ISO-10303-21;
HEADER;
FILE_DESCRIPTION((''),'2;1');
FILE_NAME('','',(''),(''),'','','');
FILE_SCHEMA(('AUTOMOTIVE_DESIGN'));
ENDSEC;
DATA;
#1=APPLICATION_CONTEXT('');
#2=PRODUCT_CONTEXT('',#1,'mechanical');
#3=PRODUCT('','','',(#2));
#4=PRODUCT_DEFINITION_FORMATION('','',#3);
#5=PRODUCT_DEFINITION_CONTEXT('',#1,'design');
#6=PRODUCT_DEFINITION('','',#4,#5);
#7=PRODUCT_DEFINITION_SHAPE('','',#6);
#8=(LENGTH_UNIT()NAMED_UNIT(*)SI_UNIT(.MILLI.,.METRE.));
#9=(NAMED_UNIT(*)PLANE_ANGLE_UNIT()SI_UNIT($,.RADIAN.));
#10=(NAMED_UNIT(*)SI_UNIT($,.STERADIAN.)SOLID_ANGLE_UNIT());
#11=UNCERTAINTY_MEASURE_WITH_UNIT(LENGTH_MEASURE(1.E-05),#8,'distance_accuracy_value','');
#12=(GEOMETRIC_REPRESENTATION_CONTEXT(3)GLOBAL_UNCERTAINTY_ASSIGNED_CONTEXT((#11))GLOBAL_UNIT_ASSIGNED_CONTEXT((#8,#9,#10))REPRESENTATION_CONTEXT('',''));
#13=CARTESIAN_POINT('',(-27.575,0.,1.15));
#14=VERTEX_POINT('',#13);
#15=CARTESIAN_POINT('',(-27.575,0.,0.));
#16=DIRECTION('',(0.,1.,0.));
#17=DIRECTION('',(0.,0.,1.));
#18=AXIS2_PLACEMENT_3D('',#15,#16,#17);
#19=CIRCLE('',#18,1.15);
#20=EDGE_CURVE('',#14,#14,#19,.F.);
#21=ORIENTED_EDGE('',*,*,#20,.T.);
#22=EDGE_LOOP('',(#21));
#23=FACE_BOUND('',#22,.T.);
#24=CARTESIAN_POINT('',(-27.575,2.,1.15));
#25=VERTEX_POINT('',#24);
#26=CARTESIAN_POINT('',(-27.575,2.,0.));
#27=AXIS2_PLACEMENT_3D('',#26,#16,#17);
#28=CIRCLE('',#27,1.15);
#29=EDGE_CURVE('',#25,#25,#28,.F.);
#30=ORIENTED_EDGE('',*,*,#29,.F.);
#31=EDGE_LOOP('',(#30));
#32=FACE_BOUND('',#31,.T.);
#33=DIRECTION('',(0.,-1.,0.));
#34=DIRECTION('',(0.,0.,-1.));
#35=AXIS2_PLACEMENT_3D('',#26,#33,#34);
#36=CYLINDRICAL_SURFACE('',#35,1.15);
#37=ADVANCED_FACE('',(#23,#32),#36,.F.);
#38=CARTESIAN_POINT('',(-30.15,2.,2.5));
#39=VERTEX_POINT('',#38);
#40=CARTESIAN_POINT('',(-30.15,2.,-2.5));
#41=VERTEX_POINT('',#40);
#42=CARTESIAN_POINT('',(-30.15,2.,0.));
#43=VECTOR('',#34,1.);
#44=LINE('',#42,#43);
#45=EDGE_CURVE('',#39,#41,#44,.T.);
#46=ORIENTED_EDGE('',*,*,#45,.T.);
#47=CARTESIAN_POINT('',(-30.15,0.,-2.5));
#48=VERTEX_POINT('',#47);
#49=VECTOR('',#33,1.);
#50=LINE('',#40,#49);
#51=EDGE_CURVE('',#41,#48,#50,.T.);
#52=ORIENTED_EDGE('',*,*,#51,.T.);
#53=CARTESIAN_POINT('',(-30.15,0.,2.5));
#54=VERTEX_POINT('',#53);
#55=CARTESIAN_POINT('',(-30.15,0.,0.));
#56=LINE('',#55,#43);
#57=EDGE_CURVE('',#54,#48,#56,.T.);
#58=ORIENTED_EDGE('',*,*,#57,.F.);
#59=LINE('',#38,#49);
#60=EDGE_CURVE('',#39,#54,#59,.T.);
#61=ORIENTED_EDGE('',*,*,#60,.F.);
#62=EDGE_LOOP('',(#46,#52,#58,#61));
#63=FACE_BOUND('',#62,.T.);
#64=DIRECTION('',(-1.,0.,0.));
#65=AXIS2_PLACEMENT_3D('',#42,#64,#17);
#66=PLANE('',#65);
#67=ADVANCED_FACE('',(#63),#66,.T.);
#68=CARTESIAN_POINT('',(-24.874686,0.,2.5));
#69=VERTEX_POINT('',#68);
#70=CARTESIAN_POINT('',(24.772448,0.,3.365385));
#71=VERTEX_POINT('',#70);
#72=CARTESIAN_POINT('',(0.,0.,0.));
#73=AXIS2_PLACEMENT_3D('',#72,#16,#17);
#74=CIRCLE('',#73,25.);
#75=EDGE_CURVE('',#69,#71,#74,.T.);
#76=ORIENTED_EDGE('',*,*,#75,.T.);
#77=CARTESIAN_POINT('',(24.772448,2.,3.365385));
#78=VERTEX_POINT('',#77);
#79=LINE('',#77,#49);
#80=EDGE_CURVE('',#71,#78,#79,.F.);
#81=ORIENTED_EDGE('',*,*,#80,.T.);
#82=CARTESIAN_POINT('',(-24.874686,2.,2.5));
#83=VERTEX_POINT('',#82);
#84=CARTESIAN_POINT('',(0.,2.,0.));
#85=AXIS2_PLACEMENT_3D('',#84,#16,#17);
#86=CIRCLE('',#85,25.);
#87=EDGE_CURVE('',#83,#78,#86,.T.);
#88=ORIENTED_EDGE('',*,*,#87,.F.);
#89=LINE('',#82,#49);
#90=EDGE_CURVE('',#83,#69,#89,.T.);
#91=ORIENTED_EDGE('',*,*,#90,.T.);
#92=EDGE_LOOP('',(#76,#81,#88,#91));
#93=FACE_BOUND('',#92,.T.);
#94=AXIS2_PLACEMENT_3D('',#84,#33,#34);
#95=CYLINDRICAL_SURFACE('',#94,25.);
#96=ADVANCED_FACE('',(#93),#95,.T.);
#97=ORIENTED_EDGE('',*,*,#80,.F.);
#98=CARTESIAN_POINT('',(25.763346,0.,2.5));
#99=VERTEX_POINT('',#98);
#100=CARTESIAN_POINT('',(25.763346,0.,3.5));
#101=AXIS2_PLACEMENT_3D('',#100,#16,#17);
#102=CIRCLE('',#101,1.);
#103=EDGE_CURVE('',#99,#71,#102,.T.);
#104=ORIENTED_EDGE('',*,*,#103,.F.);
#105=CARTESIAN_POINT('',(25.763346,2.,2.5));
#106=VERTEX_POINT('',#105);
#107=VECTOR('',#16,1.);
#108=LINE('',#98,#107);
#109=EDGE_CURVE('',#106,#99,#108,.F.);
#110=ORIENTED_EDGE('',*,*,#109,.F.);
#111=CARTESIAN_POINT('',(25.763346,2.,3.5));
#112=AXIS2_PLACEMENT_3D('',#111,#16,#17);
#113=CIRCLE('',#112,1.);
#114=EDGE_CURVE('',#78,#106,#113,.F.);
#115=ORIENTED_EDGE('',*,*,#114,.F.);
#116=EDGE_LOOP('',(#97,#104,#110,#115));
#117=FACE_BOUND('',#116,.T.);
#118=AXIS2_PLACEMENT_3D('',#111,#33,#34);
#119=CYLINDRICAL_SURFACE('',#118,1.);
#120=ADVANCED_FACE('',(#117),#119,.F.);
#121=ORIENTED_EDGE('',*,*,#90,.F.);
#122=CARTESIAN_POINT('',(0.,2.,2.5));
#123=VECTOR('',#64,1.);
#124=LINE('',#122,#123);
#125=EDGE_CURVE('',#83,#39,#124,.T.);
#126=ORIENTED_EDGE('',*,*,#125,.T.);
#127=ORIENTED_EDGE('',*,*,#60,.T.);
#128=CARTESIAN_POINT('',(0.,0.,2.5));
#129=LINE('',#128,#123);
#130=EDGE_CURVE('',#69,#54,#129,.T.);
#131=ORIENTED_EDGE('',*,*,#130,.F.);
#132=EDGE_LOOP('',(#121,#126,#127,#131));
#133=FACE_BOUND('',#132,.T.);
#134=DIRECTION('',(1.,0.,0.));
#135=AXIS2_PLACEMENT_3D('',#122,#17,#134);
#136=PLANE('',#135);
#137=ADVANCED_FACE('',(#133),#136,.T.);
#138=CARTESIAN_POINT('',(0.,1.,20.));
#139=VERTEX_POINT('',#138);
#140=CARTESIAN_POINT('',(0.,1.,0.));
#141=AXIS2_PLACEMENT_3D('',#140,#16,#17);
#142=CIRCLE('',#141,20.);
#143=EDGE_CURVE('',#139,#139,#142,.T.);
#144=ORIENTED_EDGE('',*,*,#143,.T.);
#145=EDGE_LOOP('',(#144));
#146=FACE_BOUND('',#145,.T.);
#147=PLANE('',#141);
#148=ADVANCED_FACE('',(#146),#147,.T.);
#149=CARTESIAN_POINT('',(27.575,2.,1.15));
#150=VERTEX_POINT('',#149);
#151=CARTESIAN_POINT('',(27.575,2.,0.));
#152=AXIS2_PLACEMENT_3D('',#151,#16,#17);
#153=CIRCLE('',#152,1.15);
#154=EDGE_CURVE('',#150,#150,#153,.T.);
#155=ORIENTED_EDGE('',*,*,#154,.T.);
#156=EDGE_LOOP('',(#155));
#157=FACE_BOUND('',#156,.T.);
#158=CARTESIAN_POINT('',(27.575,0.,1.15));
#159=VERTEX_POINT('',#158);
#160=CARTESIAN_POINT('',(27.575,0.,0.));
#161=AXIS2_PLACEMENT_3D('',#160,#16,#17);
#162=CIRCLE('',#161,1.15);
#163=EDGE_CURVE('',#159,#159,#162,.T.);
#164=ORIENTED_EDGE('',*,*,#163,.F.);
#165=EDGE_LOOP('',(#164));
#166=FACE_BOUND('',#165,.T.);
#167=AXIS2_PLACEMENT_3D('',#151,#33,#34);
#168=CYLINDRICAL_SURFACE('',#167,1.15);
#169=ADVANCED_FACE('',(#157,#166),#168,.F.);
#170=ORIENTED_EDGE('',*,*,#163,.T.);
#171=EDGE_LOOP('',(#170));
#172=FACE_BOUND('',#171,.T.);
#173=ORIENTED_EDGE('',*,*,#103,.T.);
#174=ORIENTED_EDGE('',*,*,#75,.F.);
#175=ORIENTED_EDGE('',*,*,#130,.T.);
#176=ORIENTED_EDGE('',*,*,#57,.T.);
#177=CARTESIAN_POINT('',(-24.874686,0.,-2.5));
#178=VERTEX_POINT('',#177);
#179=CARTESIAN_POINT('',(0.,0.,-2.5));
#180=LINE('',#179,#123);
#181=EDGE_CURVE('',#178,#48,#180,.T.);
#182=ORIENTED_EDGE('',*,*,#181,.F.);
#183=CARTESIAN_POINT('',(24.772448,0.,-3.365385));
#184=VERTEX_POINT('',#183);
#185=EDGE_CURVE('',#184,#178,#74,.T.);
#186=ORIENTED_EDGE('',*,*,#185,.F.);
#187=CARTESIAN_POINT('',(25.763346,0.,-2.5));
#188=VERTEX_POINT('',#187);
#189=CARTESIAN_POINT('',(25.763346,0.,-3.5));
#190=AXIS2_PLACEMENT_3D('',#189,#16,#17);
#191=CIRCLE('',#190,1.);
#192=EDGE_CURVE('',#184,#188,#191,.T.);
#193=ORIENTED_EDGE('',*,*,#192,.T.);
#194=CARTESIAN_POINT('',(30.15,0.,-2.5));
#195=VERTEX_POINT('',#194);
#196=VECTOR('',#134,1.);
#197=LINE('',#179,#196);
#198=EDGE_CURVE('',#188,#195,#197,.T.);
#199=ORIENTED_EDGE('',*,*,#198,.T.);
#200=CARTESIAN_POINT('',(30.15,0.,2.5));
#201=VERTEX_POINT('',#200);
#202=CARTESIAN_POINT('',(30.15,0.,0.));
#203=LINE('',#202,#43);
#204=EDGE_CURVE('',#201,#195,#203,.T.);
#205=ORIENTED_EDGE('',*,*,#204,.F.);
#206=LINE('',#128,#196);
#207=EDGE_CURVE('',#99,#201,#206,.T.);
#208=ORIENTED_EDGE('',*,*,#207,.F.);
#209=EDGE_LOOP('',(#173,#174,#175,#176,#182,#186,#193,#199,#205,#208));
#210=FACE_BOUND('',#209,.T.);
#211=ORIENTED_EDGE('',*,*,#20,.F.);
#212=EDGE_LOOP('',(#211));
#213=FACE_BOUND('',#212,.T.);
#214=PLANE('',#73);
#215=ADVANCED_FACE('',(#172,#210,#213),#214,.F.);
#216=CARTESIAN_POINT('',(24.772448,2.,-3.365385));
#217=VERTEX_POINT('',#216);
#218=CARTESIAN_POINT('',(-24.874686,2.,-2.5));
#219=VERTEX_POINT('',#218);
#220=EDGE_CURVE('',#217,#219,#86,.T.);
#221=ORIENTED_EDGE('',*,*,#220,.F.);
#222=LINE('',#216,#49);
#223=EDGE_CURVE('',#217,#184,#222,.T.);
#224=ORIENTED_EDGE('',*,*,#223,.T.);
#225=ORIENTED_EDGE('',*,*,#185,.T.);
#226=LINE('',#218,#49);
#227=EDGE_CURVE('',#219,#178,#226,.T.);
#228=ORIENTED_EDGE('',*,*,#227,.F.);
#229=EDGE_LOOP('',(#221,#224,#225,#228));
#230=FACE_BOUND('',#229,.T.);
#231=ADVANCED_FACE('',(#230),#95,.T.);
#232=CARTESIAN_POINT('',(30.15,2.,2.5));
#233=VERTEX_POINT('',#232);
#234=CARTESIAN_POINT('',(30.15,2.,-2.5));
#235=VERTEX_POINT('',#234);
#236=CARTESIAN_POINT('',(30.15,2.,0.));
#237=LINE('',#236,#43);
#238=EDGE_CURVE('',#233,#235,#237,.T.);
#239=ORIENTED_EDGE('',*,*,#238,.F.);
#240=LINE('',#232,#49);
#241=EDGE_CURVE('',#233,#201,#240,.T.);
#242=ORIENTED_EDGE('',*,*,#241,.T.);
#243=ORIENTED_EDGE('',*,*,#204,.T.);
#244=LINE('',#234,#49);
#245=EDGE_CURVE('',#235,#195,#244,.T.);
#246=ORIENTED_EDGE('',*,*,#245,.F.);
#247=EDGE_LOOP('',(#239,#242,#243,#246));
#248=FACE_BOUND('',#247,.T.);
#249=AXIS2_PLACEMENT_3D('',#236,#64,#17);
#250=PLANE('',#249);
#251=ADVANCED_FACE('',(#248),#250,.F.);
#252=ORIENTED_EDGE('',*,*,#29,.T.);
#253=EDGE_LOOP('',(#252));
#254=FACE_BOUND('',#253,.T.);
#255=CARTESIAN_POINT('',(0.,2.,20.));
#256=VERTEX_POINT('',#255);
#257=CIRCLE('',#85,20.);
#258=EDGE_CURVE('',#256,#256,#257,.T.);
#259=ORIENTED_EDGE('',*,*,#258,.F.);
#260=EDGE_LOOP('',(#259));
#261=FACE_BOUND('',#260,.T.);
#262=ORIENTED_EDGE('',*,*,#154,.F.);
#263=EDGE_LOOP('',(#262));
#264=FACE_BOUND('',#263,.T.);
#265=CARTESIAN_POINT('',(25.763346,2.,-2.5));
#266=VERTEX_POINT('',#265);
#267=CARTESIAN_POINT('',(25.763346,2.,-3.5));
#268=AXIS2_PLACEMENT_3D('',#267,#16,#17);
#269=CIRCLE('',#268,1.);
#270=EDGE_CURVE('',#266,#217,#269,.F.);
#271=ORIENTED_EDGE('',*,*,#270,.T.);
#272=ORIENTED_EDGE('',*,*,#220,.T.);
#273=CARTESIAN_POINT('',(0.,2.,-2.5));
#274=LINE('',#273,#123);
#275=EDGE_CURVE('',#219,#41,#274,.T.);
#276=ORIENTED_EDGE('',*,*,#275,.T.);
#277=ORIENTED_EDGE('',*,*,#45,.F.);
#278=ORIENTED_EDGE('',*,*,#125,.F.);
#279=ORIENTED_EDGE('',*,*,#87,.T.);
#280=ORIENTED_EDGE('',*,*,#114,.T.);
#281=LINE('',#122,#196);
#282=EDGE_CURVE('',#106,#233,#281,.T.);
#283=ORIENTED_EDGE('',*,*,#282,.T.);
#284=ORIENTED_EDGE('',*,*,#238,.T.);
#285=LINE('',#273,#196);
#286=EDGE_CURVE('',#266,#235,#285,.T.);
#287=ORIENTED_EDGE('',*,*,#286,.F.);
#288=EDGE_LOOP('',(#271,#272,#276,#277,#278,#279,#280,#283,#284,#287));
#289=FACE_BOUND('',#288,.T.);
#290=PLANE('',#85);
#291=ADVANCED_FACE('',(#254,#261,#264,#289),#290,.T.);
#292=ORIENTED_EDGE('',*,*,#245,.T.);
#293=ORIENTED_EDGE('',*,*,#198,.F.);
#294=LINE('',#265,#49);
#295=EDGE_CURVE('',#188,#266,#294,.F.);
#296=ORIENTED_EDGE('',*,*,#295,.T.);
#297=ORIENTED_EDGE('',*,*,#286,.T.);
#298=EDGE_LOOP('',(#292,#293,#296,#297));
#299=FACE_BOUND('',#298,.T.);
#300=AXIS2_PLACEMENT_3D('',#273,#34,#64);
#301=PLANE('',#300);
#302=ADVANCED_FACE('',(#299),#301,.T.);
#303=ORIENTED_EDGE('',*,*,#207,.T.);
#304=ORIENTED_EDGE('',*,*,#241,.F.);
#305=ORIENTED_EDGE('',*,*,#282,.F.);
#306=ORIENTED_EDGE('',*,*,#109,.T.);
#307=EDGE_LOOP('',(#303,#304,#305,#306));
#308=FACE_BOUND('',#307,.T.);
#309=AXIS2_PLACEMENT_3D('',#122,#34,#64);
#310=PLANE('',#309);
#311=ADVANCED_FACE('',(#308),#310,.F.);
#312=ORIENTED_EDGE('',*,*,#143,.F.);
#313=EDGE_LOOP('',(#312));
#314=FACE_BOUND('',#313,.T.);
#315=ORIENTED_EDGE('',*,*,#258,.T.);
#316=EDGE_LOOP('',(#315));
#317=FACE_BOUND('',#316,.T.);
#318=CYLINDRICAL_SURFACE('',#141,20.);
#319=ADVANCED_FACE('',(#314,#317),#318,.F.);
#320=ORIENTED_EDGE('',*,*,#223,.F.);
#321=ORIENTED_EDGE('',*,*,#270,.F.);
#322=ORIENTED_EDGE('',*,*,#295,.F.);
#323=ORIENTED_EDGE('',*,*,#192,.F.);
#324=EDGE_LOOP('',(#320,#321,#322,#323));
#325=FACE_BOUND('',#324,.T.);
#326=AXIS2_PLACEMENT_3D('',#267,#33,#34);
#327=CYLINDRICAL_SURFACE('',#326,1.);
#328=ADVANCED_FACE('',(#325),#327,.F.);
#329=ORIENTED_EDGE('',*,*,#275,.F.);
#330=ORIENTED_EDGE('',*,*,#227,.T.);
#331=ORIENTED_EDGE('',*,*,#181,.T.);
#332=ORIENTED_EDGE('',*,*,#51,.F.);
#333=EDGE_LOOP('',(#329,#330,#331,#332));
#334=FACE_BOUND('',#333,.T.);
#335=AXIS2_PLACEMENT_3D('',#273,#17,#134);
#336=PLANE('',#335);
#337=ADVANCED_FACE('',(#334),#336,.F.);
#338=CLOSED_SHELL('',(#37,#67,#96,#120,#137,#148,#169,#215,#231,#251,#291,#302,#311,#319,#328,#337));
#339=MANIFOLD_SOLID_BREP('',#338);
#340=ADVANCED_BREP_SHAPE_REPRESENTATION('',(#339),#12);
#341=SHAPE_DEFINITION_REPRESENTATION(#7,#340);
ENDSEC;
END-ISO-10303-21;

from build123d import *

# Parameters (mm, degrees)
CROQUIS1_R              = 25
CROQUIS1_W              = 10.3
CROQUIS1_H              = 5
CROQUIS1_R_2            = 1.15
SALIENTE_EXTRUIR1_DEPTH = 2
REDONDEO1_R             = 1
CROQUIS2_R              = 20
CORTAR_EXTRUIR1_DEPTH   = 1


with BuildPart() as part:
    # Croquis1 → Saliente-Extruir1 (new body)
    # profile 1 of 3: a face of its own
    with BuildSketch(Plane(origin=(0, 0, 0), x_dir=(1, 0, 0), z_dir=(0, 1, 0))):
        Circle(CROQUIS1_R)
    # profile 2 of 3: a face of its own
    with BuildSketch(Plane(origin=(0, 0, 0), x_dir=(1, 0, 0), z_dir=(0, 1, 0))):
        with Locations((25, 0)):
            Rectangle(CROQUIS1_W, CROQUIS1_H)
        with Locations(Location((27.575, 0, 0), (0, 0, 270))):
            Circle(CROQUIS1_R_2, mode=Mode.SUBTRACT)
    # profile 3 of 3: a face of its own
    with BuildSketch(Plane(origin=(0, 0, 0), x_dir=(1, 0, 0), z_dir=(0, 1, 0))):
        with Locations((-25, 0)):
            Rectangle(CROQUIS1_W, CROQUIS1_H)
        with Locations(Location((-27.575, 0, 0), (0, 0, 270))):
            Circle(CROQUIS1_R_2, mode=Mode.SUBTRACT)
    extrude(amount=SALIENTE_EXTRUIR1_DEPTH)

    # Redondeo1
    redondeo1_edges = [part.edges().sort_by_distance(p)[0] for p in [
        (24.874685928, 1, -2.5),
        (24.874685928, 1, 2.5),
    ]]
    fillet(redondeo1_edges, radius=REDONDEO1_R)

    # Croquis2 → Cortar-Extruir1 (cut)
    with BuildSketch(Plane(origin=(0, 2, 0), x_dir=(1, 0, 0), z_dir=(0, 1, 0))):
        with Locations(Location((0, 0, 0), (0, 0, 270))):
            Circle(CROQUIS2_R)
    extrude(amount=-CORTAR_EXTRUIR1_DEPTH, mode=Mode.SUBTRACT)


solid = part.part
